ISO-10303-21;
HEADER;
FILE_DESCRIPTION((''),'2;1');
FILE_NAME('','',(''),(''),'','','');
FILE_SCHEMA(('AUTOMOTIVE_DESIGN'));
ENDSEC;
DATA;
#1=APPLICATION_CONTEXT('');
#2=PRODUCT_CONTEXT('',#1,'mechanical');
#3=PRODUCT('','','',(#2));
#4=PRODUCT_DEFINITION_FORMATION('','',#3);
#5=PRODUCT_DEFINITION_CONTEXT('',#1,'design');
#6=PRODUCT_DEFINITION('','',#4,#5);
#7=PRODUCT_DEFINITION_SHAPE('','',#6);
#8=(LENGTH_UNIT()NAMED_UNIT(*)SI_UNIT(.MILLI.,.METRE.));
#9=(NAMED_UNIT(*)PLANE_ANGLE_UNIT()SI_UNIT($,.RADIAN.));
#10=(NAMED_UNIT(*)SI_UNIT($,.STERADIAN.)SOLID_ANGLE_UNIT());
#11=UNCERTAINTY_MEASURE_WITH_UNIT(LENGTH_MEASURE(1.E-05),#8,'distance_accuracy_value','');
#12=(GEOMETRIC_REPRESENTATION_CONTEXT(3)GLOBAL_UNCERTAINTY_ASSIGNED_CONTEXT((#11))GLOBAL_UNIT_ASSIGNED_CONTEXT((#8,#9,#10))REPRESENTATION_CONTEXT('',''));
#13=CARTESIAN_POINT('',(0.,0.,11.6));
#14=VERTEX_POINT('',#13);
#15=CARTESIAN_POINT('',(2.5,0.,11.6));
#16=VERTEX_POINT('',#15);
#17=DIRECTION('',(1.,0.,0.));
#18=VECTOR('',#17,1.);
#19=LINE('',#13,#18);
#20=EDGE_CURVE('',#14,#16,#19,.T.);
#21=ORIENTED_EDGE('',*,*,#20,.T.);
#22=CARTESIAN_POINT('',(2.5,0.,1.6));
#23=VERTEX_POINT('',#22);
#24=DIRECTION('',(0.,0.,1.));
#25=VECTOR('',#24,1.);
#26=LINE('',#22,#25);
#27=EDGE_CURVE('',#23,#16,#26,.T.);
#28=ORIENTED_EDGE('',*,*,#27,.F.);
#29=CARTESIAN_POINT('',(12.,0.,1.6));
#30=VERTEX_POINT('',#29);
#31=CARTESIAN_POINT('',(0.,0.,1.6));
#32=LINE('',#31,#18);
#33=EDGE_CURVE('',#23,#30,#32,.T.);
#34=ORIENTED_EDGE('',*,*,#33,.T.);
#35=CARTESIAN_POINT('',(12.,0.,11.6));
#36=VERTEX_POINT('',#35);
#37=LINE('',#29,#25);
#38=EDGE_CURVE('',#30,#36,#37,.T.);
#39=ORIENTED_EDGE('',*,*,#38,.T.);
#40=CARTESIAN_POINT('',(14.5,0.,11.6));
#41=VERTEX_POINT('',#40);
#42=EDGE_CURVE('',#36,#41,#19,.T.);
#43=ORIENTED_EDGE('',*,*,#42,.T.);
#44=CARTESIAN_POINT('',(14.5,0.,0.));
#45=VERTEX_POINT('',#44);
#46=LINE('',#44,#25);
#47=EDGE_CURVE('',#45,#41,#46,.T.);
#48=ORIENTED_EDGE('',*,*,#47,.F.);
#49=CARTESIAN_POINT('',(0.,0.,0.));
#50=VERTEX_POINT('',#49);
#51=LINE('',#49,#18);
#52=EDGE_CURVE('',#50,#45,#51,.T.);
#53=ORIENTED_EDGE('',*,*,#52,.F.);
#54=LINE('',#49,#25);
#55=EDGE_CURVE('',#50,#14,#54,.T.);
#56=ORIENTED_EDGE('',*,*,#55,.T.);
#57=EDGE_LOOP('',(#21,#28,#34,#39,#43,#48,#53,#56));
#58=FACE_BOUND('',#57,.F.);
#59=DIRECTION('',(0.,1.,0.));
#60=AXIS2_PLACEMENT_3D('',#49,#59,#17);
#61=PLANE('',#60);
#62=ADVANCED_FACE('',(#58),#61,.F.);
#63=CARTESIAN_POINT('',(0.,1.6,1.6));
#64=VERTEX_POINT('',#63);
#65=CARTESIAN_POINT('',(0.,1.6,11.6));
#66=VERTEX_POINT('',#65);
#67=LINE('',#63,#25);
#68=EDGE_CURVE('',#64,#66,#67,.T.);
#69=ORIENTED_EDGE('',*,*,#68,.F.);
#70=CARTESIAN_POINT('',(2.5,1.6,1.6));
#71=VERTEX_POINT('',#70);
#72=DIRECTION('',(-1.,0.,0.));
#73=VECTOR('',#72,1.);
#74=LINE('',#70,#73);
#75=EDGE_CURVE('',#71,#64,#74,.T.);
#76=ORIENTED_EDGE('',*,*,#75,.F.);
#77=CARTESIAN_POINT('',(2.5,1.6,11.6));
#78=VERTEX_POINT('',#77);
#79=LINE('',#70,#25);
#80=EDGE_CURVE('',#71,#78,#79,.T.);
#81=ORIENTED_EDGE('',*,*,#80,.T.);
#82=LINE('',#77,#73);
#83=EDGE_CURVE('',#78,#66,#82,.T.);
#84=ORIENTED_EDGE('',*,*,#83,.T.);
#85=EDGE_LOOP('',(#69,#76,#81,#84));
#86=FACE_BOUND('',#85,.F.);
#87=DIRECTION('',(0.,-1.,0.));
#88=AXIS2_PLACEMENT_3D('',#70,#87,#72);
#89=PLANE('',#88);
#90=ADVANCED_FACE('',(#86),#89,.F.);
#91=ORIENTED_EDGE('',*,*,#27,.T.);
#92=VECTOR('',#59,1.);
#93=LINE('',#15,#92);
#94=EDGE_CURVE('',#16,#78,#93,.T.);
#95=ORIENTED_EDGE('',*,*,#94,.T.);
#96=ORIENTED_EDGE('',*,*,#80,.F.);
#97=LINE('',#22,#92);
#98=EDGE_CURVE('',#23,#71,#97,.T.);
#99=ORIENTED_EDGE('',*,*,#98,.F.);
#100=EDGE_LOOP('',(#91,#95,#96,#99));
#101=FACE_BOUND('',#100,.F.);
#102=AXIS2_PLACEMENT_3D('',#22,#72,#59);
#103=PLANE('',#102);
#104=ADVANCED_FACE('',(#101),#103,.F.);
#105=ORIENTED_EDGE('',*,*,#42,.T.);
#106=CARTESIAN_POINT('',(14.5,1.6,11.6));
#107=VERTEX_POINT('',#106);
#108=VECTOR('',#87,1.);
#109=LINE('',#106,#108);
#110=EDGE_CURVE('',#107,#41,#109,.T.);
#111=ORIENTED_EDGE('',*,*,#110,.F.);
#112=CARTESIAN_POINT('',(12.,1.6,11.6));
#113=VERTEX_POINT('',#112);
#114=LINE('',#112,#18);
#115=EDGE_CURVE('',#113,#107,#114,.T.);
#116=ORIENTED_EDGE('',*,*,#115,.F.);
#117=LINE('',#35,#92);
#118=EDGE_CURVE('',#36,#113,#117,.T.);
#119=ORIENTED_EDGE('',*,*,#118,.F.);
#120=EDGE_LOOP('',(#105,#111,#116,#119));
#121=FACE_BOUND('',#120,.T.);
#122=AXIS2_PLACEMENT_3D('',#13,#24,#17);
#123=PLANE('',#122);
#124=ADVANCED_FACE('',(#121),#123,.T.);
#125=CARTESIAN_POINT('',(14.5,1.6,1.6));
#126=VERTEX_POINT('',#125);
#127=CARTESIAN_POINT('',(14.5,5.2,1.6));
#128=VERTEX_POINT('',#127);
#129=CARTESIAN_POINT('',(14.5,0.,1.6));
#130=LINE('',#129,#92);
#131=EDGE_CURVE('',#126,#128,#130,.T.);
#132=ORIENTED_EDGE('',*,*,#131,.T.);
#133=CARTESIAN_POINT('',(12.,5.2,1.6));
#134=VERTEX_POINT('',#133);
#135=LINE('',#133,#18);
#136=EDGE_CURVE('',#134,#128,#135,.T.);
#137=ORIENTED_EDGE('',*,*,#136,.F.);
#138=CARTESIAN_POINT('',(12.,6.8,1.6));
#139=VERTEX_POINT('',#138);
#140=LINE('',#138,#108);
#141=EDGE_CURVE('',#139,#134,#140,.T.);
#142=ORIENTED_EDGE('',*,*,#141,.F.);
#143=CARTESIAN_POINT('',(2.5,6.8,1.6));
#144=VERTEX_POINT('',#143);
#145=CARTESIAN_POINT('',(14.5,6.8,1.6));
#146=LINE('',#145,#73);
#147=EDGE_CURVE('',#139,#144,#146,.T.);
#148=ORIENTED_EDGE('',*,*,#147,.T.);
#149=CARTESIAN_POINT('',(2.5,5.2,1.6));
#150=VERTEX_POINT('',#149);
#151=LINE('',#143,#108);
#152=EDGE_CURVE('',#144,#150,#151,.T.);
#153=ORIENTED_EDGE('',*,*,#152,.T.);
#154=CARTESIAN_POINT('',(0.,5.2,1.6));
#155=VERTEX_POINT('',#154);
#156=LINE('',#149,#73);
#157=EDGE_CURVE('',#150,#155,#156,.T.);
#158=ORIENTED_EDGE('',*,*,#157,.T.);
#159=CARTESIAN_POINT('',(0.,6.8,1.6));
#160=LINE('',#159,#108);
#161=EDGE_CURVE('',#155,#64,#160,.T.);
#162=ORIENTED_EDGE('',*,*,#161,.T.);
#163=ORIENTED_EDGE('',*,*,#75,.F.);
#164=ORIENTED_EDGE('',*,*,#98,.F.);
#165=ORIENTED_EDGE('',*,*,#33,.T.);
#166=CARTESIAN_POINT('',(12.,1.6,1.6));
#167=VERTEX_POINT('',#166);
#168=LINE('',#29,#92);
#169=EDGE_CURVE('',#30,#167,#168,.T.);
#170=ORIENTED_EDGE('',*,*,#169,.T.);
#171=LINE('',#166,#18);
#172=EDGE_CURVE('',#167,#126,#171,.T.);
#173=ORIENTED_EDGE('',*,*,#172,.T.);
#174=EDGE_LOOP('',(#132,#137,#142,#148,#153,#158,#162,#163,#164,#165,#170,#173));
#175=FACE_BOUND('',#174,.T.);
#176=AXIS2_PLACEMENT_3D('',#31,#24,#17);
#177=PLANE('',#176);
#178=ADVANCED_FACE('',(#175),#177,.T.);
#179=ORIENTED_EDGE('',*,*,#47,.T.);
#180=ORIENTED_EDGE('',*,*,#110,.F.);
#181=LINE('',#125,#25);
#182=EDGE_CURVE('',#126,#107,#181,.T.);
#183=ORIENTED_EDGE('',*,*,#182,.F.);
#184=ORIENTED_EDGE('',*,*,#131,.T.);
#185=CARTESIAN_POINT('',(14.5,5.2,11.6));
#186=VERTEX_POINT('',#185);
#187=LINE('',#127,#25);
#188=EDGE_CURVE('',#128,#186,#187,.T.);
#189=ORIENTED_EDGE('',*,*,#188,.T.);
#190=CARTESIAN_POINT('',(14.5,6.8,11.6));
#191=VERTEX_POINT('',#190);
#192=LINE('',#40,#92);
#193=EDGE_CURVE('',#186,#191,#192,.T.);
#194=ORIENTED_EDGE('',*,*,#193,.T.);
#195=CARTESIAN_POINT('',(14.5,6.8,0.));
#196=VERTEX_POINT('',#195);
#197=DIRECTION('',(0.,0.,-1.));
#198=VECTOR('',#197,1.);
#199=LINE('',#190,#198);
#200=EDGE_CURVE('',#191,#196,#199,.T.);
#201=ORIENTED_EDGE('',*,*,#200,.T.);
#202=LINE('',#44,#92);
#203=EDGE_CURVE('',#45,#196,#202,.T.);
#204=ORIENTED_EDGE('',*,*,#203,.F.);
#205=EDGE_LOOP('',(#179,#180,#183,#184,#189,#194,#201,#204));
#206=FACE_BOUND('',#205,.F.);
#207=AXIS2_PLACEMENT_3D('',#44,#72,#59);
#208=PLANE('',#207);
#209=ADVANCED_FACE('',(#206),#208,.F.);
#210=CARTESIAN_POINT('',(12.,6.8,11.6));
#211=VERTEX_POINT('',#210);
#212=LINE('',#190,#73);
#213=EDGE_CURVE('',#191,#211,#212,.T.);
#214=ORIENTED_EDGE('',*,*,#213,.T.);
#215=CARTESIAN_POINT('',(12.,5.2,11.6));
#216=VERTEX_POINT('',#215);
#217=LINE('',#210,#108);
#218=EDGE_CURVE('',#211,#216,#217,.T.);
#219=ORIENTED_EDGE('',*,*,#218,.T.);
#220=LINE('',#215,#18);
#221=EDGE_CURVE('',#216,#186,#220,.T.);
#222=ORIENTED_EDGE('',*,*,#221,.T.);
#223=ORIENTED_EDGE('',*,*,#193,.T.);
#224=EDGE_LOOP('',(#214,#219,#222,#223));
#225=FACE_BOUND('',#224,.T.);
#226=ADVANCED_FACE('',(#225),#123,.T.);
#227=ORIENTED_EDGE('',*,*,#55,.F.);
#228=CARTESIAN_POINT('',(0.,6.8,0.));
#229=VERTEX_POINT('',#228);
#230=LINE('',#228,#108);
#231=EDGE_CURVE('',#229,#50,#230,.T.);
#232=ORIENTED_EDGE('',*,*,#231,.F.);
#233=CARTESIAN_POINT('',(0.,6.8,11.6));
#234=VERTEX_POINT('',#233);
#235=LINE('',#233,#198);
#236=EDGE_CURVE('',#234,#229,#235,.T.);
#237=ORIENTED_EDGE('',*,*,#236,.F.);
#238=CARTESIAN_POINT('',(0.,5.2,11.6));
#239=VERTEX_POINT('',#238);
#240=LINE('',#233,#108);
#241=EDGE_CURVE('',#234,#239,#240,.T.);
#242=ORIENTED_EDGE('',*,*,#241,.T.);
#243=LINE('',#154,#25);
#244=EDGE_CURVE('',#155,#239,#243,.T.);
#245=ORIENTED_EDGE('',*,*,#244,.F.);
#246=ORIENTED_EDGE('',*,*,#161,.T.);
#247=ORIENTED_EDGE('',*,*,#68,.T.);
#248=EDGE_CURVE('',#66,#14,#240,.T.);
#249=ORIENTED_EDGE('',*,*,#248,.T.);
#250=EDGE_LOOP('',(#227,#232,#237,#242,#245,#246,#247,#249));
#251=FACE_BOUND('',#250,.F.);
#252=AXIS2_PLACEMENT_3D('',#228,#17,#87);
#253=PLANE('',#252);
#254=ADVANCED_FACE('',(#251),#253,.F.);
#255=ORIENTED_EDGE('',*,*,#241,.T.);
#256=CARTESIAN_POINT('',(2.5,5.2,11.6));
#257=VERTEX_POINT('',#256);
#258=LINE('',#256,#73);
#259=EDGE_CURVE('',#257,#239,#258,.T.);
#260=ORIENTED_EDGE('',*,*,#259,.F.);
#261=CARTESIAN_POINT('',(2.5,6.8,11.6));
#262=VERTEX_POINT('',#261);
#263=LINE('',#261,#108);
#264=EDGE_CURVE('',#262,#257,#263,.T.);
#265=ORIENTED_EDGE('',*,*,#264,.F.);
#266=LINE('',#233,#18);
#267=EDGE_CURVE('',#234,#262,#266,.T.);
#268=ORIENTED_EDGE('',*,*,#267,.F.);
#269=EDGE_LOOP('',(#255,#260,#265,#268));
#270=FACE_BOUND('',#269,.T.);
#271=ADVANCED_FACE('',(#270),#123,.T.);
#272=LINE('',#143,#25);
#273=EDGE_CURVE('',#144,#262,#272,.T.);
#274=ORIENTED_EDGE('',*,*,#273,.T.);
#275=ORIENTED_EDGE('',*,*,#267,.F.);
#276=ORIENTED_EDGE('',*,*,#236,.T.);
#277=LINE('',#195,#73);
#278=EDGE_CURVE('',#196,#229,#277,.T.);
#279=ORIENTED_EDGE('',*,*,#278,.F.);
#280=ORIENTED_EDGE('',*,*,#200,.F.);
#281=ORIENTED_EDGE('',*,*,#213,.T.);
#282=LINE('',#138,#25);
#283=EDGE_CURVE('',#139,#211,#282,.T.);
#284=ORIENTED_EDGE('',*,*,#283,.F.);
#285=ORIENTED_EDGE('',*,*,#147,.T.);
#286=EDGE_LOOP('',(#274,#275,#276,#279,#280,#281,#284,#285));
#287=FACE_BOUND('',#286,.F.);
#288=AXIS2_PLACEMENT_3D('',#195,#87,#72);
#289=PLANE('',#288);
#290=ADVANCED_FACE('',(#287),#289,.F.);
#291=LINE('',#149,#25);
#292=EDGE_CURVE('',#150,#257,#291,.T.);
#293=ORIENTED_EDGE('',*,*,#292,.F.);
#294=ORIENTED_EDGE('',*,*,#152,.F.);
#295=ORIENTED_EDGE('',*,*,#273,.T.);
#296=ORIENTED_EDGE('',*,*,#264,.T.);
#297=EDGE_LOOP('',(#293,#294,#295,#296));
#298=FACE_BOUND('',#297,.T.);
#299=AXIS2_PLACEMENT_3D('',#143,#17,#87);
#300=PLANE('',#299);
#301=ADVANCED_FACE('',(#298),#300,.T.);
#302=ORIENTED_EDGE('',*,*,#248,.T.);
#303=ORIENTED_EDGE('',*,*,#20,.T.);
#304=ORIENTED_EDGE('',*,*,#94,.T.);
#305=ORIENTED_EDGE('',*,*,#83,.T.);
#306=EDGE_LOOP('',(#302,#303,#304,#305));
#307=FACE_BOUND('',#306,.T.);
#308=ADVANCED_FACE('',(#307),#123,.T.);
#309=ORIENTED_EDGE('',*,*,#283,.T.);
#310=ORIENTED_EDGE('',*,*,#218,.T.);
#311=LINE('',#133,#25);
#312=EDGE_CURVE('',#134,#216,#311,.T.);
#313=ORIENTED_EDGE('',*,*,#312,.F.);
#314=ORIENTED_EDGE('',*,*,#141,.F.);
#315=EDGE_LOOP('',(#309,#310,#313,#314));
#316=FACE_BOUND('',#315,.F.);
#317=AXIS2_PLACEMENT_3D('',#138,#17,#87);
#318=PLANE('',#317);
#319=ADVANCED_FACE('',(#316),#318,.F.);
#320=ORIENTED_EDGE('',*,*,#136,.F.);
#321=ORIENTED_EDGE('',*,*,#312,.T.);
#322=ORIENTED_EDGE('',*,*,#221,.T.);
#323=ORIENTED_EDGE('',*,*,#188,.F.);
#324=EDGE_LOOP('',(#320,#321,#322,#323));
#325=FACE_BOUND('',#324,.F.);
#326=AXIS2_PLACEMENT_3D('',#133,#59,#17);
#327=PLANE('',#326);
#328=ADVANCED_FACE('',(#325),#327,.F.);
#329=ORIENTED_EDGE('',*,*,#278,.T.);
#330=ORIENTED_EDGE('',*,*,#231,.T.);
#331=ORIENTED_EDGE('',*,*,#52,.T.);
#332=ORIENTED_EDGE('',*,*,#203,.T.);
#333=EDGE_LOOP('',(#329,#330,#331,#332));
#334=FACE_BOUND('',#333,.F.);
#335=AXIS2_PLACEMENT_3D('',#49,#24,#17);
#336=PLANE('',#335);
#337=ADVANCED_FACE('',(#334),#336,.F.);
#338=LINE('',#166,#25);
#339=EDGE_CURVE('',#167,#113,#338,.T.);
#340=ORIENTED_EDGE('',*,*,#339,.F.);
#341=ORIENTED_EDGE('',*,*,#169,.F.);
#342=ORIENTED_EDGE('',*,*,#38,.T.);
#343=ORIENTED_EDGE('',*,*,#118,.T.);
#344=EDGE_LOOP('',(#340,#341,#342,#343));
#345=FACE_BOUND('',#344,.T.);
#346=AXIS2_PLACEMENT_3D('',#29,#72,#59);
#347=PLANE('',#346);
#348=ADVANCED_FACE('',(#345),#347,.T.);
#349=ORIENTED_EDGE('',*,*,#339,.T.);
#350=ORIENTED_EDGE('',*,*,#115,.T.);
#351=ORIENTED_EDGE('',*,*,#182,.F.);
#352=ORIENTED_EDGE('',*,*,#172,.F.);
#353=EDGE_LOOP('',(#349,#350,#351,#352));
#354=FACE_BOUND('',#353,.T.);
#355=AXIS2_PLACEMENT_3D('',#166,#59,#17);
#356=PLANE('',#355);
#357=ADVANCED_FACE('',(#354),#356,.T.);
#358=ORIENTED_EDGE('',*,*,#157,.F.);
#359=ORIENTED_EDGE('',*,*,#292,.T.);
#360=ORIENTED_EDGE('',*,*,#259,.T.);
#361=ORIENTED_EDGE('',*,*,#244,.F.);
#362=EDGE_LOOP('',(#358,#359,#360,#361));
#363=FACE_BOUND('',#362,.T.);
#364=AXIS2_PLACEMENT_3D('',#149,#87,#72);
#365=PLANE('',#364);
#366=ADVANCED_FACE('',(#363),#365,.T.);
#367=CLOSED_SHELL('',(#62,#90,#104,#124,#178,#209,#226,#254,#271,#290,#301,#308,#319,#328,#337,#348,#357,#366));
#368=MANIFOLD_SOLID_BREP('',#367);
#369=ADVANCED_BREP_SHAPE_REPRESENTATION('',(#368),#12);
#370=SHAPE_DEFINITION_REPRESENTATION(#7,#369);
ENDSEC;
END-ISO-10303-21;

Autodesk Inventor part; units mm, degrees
ref_plane "YZ Plane" through (0, 0, 0) normal (1, 0, 0) x (0, 1, 0)
ref_plane "XZ Plane" through (0, 0, 0) normal (0, 1, 0) x (-1, 0, 0)
ref_plane "XY Plane" through (0, 0, 0) normal (0, 0, 1) x (1, 0, 0)
sketch "Sketch1" plane through (0, 0, 0) normal (0, 0, 1) x (1, 0, 0)
  line L0 (0, 0) -> (14.5, 0)
  line L1 (14.5, 0) -> (14.5, 6.8)
  line L2 (14.5, 6.8) -> (0, 6.8)
  line L3 (0, 6.8) -> (0, 0)
  dimension "d0" = 14.5
  dimension "d1" = 6.8
extrude "Extrusion1" add sketch "Sketch1" along normal blind 1.6
sketch "Sketch2" plane through (0, 0, 1.6) normal (0, 0, 1) x (1, 0, 0)
  line L0 (0, 6.8) -> (0, 0) projected
  line L1 (0, 6.8) -> (2.5, 6.8)
  line L2 (2.5, 6.8) -> (2.5, 5.2)
  line L3 (2.5, 5.2) -> (0, 5.2)
  line L4 (0, 5.2) -> (0, 6.8)
  line L5 (0, 0) -> (2.5, 0)
  line L6 (2.5, 0) -> (2.5, 1.6)
  line L7 (2.5, 1.6) -> (0, 1.6)
  line L8 (0, 1.6) -> (0, 0)
  line L9 (0, 0) -> (14.5, 0) projected
  line L10 (14.5, 0) -> (12, 0)
  line L11 (12, 0) -> (12, 1.6)
  line L12 (12, 1.6) -> (14.5, 1.6)
  line L13 (14.5, 1.6) -> (14.5, 0)
  line L14 (14.5, 0) -> (14.5, 6.8) projected
  line L15 (14.5, 6.8) -> (12, 6.8)
  line L16 (12, 6.8) -> (12, 5.2)
  line L17 (12, 5.2) -> (14.5, 5.2)
  line L18 (14.5, 5.2) -> (14.5, 6.8)
  dimension "d4" = 2.5
  dimension "d5" = 1.6
  dimension "d6" = 2.5
  dimension "d7" = 1.6
  dimension "d8" = 2.5
  dimension "d9" = 1.6
  dimension "d10" = 1.6
extrude "Extrusion2" add sketch "Sketch2" along normal blind 10
properties part number "ButtonLock"
